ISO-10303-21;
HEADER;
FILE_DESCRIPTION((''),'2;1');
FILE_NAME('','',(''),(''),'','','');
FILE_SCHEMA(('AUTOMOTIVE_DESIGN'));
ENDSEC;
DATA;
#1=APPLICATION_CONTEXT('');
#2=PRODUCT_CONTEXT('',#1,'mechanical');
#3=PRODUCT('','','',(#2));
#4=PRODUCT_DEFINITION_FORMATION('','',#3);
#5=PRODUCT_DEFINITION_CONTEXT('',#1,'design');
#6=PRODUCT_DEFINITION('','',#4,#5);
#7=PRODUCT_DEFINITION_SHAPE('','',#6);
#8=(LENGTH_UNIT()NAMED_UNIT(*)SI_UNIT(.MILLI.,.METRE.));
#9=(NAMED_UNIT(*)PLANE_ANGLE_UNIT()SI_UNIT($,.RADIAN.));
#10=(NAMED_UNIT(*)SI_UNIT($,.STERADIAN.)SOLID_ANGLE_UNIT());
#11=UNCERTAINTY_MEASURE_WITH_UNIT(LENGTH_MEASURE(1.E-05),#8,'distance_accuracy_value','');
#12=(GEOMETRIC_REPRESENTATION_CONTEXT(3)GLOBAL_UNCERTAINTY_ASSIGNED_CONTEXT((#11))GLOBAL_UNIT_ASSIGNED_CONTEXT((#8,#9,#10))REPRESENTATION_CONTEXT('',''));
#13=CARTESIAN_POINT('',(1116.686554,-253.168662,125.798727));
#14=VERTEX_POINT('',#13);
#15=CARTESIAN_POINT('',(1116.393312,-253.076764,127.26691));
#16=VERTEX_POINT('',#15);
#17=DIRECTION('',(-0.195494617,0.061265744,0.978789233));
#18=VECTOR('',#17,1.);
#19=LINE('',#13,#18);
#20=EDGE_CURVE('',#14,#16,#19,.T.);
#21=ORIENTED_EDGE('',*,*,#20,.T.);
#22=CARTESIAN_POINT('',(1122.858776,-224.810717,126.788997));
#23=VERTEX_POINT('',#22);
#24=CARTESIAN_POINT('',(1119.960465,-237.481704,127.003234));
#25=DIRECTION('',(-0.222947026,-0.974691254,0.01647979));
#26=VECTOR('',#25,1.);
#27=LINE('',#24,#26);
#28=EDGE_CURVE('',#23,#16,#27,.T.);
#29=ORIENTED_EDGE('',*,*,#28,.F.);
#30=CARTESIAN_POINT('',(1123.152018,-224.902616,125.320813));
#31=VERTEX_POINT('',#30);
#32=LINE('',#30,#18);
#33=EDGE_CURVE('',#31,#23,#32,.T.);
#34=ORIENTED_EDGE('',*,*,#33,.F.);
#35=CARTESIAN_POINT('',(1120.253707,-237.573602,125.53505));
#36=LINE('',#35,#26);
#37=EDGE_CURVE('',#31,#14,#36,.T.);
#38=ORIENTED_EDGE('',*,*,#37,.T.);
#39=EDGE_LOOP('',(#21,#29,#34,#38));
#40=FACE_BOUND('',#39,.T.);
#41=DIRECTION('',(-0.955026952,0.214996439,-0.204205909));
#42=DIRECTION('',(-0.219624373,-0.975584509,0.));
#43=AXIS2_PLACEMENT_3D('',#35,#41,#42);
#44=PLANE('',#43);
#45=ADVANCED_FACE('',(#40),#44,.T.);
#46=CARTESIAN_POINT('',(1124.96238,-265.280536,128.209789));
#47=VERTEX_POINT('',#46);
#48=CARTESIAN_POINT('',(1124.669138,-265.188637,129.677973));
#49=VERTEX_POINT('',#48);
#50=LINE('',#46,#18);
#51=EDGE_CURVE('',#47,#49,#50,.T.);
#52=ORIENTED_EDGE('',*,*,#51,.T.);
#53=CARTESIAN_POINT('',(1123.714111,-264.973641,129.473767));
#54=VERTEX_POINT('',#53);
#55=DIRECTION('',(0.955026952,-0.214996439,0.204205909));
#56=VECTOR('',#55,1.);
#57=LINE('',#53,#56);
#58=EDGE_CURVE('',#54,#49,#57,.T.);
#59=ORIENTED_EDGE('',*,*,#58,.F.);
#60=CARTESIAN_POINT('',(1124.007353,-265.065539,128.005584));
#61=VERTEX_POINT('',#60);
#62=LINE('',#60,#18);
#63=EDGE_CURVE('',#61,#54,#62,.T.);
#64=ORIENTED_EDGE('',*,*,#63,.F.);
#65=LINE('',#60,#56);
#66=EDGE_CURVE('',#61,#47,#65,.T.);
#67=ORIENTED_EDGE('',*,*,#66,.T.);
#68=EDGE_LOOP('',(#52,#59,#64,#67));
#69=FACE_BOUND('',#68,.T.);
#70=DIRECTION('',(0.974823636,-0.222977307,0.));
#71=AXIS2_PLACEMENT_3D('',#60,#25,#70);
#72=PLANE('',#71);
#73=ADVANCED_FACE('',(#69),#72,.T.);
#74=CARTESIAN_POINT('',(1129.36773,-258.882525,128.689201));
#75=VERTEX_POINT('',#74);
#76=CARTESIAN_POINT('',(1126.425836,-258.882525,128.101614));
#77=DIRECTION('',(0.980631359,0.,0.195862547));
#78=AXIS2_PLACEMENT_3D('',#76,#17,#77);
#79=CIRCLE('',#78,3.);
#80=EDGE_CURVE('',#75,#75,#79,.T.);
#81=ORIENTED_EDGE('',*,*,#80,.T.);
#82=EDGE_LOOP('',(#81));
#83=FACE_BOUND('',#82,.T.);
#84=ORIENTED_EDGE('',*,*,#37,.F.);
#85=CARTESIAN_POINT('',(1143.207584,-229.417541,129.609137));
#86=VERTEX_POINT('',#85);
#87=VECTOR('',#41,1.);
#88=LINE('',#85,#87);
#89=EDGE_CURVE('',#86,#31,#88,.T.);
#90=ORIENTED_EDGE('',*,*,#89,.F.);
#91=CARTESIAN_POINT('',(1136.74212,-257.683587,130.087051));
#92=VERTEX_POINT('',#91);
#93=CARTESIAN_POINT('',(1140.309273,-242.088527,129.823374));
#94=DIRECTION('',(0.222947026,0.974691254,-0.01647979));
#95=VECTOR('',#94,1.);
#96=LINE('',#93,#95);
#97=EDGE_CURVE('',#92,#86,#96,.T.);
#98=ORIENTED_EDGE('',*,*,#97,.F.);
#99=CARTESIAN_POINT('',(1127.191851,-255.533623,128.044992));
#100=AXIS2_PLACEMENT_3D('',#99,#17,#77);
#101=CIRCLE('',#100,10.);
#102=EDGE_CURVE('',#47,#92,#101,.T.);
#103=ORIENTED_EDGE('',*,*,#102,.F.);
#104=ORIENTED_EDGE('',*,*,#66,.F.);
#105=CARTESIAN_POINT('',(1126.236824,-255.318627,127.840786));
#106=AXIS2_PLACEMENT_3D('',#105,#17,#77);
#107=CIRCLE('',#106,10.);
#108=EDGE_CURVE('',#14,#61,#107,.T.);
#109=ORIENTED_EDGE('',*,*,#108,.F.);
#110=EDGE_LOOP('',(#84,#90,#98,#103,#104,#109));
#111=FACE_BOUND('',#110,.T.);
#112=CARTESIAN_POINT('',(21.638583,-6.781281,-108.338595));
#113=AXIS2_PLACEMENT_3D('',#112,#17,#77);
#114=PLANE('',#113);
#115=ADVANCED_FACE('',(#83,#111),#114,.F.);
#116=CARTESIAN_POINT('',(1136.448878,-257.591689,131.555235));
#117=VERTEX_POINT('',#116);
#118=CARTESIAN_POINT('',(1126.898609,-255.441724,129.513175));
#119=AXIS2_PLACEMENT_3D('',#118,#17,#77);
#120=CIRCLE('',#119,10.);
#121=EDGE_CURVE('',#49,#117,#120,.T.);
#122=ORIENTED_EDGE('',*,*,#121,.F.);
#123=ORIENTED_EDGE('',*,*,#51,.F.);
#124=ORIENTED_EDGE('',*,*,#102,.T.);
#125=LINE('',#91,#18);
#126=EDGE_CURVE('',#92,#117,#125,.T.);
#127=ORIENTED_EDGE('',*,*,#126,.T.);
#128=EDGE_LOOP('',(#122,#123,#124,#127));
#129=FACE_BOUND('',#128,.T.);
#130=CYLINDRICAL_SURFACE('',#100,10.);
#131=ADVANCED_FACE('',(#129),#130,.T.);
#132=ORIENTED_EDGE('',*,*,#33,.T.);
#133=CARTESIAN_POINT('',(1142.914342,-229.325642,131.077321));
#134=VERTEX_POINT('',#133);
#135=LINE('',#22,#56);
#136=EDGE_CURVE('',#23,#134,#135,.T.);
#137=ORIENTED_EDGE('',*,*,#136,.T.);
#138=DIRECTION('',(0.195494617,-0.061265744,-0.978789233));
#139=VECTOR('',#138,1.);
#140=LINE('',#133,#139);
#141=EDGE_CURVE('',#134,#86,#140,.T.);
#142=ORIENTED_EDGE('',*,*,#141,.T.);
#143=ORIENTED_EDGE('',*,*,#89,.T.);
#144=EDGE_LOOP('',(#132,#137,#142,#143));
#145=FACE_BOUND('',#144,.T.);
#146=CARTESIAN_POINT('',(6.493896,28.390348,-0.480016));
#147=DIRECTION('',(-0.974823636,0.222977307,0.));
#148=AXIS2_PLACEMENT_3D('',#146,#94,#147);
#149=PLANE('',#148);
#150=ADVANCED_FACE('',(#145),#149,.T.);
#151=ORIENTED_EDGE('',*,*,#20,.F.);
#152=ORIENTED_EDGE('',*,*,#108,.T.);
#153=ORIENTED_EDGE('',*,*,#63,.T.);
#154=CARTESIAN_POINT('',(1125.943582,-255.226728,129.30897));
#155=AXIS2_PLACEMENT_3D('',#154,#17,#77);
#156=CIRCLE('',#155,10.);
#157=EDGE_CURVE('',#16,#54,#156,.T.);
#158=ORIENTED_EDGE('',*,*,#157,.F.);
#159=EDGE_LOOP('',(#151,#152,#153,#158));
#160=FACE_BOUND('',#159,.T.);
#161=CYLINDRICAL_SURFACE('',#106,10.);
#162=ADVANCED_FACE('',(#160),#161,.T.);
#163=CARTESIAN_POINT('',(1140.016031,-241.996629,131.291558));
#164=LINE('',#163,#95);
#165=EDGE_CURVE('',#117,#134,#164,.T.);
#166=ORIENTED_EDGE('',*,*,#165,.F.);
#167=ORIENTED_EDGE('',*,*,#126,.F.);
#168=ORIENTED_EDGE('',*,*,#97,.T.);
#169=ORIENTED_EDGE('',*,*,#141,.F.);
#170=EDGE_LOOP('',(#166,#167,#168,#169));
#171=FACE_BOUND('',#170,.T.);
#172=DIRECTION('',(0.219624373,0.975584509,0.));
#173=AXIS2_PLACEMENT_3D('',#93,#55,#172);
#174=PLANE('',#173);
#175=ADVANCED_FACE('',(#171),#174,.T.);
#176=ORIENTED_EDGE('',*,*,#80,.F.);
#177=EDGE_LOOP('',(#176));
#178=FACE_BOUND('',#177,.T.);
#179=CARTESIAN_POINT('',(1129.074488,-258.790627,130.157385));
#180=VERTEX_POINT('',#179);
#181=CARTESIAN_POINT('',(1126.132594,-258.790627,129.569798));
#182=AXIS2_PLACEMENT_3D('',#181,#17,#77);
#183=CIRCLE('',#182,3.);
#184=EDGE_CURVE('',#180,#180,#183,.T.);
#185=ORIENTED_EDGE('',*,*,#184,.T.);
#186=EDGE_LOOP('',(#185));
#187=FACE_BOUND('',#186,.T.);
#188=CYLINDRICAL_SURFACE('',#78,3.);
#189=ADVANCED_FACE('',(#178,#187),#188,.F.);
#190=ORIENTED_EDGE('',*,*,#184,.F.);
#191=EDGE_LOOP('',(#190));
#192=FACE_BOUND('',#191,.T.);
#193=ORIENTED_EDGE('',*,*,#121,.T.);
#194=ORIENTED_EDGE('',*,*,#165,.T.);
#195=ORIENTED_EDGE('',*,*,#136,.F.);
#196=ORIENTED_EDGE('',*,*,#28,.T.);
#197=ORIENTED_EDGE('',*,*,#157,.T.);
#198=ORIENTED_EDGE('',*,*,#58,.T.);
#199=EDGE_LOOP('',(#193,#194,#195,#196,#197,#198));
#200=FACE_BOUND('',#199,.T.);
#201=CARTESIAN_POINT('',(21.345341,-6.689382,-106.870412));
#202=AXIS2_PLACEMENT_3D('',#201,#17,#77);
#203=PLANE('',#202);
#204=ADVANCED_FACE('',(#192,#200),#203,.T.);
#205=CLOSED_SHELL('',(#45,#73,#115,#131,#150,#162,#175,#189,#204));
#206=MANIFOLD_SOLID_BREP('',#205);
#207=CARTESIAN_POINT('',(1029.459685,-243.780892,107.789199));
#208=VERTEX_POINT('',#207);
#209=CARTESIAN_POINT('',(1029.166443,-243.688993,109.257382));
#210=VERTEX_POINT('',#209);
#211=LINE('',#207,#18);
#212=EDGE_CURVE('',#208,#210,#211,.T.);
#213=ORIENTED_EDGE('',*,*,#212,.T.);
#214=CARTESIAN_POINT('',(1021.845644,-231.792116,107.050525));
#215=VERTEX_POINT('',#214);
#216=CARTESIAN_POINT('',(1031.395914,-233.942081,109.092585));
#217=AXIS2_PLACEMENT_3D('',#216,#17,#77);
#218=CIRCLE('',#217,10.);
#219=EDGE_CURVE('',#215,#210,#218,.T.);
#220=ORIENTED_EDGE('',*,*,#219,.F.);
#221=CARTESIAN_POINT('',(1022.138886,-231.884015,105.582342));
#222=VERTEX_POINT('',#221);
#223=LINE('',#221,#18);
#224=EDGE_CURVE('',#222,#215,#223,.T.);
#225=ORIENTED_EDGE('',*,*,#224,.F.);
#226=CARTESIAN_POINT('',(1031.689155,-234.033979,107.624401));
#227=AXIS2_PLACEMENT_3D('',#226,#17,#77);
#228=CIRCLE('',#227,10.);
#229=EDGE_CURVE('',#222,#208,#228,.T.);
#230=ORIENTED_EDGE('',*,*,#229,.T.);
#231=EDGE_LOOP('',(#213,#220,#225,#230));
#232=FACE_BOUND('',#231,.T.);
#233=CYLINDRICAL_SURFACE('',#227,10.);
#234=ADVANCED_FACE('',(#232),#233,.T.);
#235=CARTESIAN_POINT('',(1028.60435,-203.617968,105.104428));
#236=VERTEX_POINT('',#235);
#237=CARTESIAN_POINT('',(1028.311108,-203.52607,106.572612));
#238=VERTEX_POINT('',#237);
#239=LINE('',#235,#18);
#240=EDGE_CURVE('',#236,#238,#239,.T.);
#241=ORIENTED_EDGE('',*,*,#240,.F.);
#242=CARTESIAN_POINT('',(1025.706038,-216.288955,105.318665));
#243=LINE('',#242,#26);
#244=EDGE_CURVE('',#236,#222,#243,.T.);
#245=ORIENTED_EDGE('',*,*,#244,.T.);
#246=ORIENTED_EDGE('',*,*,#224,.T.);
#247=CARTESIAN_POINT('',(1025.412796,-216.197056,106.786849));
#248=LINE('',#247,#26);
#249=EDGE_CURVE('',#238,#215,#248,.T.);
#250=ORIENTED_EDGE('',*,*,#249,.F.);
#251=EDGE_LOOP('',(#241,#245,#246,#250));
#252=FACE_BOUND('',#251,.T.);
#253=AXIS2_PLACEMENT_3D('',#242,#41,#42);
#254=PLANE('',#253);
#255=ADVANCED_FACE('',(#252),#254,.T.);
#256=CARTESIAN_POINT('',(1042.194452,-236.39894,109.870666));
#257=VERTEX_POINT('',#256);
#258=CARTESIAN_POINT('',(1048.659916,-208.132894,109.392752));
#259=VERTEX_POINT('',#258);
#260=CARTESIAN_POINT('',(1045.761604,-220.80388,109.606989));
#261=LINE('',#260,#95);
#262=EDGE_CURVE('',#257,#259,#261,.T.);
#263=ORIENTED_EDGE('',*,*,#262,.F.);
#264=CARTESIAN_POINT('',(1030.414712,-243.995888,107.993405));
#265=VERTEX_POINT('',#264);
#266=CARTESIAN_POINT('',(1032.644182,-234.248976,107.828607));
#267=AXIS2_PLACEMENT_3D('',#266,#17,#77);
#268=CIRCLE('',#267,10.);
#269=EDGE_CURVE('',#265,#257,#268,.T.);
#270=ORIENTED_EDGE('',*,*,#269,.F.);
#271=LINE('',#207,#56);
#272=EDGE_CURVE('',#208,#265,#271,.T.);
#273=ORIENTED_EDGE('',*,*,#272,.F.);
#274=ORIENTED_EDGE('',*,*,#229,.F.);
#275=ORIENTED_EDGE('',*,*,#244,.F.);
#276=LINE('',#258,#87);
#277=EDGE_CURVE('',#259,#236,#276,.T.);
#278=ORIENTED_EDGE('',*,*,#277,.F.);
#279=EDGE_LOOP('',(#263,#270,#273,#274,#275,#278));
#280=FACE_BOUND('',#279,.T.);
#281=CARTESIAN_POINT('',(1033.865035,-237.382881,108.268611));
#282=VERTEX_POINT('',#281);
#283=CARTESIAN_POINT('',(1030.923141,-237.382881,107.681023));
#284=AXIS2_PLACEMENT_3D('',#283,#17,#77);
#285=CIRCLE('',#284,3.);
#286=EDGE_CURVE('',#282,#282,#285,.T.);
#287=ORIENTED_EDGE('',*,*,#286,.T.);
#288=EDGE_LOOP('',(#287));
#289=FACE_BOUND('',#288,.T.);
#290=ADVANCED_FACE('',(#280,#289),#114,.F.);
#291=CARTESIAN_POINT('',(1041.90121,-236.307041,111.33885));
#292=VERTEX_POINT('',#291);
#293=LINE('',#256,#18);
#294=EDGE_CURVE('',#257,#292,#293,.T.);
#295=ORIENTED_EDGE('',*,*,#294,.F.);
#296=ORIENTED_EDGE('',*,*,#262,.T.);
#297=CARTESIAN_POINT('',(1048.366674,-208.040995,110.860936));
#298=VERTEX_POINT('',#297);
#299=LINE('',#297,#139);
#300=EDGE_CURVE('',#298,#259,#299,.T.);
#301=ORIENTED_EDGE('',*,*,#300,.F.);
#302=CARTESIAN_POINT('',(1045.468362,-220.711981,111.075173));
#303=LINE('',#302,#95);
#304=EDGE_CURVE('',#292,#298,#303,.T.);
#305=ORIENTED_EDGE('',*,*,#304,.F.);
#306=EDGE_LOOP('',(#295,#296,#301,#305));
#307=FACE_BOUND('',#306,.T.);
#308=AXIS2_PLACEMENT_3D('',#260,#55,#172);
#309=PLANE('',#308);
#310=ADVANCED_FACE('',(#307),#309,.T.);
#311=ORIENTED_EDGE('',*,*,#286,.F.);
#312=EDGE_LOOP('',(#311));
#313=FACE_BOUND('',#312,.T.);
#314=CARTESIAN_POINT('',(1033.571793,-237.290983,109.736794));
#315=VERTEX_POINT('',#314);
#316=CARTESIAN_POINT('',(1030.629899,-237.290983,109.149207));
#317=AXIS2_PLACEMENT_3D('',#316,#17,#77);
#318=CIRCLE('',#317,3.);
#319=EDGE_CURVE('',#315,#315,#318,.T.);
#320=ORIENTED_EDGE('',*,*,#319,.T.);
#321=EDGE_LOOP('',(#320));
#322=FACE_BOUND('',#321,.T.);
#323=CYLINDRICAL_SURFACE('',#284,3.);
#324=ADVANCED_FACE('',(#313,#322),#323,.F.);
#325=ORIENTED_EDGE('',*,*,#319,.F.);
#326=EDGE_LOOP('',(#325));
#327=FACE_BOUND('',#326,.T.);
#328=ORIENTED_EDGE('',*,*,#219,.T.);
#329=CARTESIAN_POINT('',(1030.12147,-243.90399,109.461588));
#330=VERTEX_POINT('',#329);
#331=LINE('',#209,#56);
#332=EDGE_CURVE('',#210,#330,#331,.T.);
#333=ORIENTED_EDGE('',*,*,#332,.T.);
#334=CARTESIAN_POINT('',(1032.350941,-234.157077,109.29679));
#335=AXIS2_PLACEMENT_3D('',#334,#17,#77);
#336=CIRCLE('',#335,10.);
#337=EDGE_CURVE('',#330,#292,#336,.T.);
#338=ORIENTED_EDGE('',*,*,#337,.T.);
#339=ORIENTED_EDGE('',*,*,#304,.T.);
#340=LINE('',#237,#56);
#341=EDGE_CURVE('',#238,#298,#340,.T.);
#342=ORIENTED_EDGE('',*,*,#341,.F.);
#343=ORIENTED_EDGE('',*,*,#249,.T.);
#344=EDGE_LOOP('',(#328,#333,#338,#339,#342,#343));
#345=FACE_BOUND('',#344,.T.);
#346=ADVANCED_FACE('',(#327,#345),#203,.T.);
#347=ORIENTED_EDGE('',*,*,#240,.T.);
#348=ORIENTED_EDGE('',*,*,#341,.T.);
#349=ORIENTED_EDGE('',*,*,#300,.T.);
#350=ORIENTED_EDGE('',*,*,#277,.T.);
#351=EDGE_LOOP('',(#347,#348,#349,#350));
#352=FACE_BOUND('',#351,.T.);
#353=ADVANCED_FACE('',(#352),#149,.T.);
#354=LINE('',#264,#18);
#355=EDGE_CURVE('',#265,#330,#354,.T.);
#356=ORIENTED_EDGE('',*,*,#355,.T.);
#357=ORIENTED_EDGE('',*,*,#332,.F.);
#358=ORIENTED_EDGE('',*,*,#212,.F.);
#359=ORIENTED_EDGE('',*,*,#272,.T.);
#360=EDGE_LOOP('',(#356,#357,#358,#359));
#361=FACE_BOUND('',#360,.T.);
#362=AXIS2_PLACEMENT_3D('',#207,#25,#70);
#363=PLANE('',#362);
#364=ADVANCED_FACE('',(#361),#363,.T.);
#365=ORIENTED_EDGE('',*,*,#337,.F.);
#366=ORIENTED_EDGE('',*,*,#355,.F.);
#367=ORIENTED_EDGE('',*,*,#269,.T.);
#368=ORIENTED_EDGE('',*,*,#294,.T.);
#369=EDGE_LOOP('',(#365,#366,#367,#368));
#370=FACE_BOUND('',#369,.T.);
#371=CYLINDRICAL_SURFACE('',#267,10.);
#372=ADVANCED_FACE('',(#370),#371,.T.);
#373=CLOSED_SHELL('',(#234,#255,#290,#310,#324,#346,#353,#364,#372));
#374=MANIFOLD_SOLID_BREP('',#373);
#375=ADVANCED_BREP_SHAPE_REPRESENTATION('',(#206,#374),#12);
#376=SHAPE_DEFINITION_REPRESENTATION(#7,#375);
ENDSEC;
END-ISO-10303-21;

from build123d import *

# Parameters (mm, degrees)
SZKIC_3D4_R                   = 3
DODANIE_WYCI_GNI_CIE2_DEPTH   = 1.5
DODANIE_WYCI_GNI_CIE2_2_DEPTH = 1.5
DODANIE_WYCI_GNI_CIE3_DEPTH   = 13


with BuildPart() as part:
    # Szkic 3D4 → Dodanie-wyciągnięcie2 (new body)
    with BuildSketch(Plane(origin=(1025.706038393, -216.288954709, 105.318664983), x_dir=(0.9171838518362587, -0.34192929079965745, 0.20459262455926217), z_dir=(0.19549461704670756, -0.061265743629640455, -0.9787892333711423))):
        with BuildLine():
            Line((0, 0), (20.815785914, -2.775438122))
            Line((20.815785914, -2.775438122), (22.930405436, 13.084208289))
            ThreePointArc((22.930405436, 13.084208289), (20.961704759, 20.480346566), (14.33976363, 24.318124497))
            Line((14.33976363, 24.318124497), (13.348535729, 24.450288217))
            ThreePointArc((13.348535729, 24.450288217), (5.952397453, 22.48158754), (2.114619521, 15.859646411))
            Line((2.114619521, 15.859646411), (0, 0))
        make_face()
        with Locations(Location((12.480994513, 17.943729095, 0), (0, 0, 339.966298259))):
            Circle(SZKIC_3D4_R, mode=Mode.SUBTRACT)
    extrude(amount=-DODANIE_WYCI_GNI_CIE2_DEPTH)



with BuildPart() as body_2:
    # Szkic 3D4 → Dodanie-wyci_gni_cie2 2 (new body)
    with BuildSketch(Plane(origin=(1025.706038393, -216.288954709, 105.318664983), x_dir=(0.9171838518362587, -0.34192929079965745, 0.20459262455926217), z_dir=(0.19549461704670756, -0.061265743629640455, -0.9787892333711423))):
        with BuildLine():
            Line((98.131562168, -13.084208289), (118.947348082, -15.859646411))
            Line((118.947348082, -15.859646411), (121.061967603, 0))
            ThreePointArc((121.061967603, 0), (119.093266926, 7.396138277), (112.471325797, 11.233916208))
            Line((112.471325797, 11.233916208), (111.480097897, 11.366079928))
            ThreePointArc((111.480097897, 11.366079928), (104.08395962, 9.397379251), (100.246181689, 2.775438122))
            Line((100.246181689, 2.775438122), (98.131562168, -13.084208289))
        make_face()
        with Locations(Location((111.603784581, 4.727357086, 0), (0, 0, 339.966298259))):
            Circle(SZKIC_3D4_R, mode=Mode.SUBTRACT)
    extrude(amount=-DODANIE_WYCI_GNI_CIE2_2_DEPTH)


with BuildPart() as part_1:
    add(part.part)

    add(body_2.part)  # Dodanie-wyciągnięcie3 merges body 2
    # Szkic1 → Dodanie-wyciągnięcie3 (add)
    with BuildSketch(Plane(origin=(3.595584722, 15.719361841, -0.265778296), x_dir=(0.9748305613773303, -0.22291516630614797, 0.003768983345872848), z_dir=(0.22294702645417608, 0.9746912536391572, -0.016479789882437416))):
        Polygon((1145.188635005, -122.97038823), (1165.762021577, -127.181773388), (1166.062834802, -125.712245776), (1145.48944823, -121.500860618), align=None)
        Polygon((1048.199812593, -103.116715341), (1068.773199165, -107.3281005), (1069.074012391, -105.858572887), (1048.500625819, -101.647187729), align=None)
    extrude(amount=DODANIE_WYCI_GNI_CIE3_DEPTH)


solid = part_1.part
